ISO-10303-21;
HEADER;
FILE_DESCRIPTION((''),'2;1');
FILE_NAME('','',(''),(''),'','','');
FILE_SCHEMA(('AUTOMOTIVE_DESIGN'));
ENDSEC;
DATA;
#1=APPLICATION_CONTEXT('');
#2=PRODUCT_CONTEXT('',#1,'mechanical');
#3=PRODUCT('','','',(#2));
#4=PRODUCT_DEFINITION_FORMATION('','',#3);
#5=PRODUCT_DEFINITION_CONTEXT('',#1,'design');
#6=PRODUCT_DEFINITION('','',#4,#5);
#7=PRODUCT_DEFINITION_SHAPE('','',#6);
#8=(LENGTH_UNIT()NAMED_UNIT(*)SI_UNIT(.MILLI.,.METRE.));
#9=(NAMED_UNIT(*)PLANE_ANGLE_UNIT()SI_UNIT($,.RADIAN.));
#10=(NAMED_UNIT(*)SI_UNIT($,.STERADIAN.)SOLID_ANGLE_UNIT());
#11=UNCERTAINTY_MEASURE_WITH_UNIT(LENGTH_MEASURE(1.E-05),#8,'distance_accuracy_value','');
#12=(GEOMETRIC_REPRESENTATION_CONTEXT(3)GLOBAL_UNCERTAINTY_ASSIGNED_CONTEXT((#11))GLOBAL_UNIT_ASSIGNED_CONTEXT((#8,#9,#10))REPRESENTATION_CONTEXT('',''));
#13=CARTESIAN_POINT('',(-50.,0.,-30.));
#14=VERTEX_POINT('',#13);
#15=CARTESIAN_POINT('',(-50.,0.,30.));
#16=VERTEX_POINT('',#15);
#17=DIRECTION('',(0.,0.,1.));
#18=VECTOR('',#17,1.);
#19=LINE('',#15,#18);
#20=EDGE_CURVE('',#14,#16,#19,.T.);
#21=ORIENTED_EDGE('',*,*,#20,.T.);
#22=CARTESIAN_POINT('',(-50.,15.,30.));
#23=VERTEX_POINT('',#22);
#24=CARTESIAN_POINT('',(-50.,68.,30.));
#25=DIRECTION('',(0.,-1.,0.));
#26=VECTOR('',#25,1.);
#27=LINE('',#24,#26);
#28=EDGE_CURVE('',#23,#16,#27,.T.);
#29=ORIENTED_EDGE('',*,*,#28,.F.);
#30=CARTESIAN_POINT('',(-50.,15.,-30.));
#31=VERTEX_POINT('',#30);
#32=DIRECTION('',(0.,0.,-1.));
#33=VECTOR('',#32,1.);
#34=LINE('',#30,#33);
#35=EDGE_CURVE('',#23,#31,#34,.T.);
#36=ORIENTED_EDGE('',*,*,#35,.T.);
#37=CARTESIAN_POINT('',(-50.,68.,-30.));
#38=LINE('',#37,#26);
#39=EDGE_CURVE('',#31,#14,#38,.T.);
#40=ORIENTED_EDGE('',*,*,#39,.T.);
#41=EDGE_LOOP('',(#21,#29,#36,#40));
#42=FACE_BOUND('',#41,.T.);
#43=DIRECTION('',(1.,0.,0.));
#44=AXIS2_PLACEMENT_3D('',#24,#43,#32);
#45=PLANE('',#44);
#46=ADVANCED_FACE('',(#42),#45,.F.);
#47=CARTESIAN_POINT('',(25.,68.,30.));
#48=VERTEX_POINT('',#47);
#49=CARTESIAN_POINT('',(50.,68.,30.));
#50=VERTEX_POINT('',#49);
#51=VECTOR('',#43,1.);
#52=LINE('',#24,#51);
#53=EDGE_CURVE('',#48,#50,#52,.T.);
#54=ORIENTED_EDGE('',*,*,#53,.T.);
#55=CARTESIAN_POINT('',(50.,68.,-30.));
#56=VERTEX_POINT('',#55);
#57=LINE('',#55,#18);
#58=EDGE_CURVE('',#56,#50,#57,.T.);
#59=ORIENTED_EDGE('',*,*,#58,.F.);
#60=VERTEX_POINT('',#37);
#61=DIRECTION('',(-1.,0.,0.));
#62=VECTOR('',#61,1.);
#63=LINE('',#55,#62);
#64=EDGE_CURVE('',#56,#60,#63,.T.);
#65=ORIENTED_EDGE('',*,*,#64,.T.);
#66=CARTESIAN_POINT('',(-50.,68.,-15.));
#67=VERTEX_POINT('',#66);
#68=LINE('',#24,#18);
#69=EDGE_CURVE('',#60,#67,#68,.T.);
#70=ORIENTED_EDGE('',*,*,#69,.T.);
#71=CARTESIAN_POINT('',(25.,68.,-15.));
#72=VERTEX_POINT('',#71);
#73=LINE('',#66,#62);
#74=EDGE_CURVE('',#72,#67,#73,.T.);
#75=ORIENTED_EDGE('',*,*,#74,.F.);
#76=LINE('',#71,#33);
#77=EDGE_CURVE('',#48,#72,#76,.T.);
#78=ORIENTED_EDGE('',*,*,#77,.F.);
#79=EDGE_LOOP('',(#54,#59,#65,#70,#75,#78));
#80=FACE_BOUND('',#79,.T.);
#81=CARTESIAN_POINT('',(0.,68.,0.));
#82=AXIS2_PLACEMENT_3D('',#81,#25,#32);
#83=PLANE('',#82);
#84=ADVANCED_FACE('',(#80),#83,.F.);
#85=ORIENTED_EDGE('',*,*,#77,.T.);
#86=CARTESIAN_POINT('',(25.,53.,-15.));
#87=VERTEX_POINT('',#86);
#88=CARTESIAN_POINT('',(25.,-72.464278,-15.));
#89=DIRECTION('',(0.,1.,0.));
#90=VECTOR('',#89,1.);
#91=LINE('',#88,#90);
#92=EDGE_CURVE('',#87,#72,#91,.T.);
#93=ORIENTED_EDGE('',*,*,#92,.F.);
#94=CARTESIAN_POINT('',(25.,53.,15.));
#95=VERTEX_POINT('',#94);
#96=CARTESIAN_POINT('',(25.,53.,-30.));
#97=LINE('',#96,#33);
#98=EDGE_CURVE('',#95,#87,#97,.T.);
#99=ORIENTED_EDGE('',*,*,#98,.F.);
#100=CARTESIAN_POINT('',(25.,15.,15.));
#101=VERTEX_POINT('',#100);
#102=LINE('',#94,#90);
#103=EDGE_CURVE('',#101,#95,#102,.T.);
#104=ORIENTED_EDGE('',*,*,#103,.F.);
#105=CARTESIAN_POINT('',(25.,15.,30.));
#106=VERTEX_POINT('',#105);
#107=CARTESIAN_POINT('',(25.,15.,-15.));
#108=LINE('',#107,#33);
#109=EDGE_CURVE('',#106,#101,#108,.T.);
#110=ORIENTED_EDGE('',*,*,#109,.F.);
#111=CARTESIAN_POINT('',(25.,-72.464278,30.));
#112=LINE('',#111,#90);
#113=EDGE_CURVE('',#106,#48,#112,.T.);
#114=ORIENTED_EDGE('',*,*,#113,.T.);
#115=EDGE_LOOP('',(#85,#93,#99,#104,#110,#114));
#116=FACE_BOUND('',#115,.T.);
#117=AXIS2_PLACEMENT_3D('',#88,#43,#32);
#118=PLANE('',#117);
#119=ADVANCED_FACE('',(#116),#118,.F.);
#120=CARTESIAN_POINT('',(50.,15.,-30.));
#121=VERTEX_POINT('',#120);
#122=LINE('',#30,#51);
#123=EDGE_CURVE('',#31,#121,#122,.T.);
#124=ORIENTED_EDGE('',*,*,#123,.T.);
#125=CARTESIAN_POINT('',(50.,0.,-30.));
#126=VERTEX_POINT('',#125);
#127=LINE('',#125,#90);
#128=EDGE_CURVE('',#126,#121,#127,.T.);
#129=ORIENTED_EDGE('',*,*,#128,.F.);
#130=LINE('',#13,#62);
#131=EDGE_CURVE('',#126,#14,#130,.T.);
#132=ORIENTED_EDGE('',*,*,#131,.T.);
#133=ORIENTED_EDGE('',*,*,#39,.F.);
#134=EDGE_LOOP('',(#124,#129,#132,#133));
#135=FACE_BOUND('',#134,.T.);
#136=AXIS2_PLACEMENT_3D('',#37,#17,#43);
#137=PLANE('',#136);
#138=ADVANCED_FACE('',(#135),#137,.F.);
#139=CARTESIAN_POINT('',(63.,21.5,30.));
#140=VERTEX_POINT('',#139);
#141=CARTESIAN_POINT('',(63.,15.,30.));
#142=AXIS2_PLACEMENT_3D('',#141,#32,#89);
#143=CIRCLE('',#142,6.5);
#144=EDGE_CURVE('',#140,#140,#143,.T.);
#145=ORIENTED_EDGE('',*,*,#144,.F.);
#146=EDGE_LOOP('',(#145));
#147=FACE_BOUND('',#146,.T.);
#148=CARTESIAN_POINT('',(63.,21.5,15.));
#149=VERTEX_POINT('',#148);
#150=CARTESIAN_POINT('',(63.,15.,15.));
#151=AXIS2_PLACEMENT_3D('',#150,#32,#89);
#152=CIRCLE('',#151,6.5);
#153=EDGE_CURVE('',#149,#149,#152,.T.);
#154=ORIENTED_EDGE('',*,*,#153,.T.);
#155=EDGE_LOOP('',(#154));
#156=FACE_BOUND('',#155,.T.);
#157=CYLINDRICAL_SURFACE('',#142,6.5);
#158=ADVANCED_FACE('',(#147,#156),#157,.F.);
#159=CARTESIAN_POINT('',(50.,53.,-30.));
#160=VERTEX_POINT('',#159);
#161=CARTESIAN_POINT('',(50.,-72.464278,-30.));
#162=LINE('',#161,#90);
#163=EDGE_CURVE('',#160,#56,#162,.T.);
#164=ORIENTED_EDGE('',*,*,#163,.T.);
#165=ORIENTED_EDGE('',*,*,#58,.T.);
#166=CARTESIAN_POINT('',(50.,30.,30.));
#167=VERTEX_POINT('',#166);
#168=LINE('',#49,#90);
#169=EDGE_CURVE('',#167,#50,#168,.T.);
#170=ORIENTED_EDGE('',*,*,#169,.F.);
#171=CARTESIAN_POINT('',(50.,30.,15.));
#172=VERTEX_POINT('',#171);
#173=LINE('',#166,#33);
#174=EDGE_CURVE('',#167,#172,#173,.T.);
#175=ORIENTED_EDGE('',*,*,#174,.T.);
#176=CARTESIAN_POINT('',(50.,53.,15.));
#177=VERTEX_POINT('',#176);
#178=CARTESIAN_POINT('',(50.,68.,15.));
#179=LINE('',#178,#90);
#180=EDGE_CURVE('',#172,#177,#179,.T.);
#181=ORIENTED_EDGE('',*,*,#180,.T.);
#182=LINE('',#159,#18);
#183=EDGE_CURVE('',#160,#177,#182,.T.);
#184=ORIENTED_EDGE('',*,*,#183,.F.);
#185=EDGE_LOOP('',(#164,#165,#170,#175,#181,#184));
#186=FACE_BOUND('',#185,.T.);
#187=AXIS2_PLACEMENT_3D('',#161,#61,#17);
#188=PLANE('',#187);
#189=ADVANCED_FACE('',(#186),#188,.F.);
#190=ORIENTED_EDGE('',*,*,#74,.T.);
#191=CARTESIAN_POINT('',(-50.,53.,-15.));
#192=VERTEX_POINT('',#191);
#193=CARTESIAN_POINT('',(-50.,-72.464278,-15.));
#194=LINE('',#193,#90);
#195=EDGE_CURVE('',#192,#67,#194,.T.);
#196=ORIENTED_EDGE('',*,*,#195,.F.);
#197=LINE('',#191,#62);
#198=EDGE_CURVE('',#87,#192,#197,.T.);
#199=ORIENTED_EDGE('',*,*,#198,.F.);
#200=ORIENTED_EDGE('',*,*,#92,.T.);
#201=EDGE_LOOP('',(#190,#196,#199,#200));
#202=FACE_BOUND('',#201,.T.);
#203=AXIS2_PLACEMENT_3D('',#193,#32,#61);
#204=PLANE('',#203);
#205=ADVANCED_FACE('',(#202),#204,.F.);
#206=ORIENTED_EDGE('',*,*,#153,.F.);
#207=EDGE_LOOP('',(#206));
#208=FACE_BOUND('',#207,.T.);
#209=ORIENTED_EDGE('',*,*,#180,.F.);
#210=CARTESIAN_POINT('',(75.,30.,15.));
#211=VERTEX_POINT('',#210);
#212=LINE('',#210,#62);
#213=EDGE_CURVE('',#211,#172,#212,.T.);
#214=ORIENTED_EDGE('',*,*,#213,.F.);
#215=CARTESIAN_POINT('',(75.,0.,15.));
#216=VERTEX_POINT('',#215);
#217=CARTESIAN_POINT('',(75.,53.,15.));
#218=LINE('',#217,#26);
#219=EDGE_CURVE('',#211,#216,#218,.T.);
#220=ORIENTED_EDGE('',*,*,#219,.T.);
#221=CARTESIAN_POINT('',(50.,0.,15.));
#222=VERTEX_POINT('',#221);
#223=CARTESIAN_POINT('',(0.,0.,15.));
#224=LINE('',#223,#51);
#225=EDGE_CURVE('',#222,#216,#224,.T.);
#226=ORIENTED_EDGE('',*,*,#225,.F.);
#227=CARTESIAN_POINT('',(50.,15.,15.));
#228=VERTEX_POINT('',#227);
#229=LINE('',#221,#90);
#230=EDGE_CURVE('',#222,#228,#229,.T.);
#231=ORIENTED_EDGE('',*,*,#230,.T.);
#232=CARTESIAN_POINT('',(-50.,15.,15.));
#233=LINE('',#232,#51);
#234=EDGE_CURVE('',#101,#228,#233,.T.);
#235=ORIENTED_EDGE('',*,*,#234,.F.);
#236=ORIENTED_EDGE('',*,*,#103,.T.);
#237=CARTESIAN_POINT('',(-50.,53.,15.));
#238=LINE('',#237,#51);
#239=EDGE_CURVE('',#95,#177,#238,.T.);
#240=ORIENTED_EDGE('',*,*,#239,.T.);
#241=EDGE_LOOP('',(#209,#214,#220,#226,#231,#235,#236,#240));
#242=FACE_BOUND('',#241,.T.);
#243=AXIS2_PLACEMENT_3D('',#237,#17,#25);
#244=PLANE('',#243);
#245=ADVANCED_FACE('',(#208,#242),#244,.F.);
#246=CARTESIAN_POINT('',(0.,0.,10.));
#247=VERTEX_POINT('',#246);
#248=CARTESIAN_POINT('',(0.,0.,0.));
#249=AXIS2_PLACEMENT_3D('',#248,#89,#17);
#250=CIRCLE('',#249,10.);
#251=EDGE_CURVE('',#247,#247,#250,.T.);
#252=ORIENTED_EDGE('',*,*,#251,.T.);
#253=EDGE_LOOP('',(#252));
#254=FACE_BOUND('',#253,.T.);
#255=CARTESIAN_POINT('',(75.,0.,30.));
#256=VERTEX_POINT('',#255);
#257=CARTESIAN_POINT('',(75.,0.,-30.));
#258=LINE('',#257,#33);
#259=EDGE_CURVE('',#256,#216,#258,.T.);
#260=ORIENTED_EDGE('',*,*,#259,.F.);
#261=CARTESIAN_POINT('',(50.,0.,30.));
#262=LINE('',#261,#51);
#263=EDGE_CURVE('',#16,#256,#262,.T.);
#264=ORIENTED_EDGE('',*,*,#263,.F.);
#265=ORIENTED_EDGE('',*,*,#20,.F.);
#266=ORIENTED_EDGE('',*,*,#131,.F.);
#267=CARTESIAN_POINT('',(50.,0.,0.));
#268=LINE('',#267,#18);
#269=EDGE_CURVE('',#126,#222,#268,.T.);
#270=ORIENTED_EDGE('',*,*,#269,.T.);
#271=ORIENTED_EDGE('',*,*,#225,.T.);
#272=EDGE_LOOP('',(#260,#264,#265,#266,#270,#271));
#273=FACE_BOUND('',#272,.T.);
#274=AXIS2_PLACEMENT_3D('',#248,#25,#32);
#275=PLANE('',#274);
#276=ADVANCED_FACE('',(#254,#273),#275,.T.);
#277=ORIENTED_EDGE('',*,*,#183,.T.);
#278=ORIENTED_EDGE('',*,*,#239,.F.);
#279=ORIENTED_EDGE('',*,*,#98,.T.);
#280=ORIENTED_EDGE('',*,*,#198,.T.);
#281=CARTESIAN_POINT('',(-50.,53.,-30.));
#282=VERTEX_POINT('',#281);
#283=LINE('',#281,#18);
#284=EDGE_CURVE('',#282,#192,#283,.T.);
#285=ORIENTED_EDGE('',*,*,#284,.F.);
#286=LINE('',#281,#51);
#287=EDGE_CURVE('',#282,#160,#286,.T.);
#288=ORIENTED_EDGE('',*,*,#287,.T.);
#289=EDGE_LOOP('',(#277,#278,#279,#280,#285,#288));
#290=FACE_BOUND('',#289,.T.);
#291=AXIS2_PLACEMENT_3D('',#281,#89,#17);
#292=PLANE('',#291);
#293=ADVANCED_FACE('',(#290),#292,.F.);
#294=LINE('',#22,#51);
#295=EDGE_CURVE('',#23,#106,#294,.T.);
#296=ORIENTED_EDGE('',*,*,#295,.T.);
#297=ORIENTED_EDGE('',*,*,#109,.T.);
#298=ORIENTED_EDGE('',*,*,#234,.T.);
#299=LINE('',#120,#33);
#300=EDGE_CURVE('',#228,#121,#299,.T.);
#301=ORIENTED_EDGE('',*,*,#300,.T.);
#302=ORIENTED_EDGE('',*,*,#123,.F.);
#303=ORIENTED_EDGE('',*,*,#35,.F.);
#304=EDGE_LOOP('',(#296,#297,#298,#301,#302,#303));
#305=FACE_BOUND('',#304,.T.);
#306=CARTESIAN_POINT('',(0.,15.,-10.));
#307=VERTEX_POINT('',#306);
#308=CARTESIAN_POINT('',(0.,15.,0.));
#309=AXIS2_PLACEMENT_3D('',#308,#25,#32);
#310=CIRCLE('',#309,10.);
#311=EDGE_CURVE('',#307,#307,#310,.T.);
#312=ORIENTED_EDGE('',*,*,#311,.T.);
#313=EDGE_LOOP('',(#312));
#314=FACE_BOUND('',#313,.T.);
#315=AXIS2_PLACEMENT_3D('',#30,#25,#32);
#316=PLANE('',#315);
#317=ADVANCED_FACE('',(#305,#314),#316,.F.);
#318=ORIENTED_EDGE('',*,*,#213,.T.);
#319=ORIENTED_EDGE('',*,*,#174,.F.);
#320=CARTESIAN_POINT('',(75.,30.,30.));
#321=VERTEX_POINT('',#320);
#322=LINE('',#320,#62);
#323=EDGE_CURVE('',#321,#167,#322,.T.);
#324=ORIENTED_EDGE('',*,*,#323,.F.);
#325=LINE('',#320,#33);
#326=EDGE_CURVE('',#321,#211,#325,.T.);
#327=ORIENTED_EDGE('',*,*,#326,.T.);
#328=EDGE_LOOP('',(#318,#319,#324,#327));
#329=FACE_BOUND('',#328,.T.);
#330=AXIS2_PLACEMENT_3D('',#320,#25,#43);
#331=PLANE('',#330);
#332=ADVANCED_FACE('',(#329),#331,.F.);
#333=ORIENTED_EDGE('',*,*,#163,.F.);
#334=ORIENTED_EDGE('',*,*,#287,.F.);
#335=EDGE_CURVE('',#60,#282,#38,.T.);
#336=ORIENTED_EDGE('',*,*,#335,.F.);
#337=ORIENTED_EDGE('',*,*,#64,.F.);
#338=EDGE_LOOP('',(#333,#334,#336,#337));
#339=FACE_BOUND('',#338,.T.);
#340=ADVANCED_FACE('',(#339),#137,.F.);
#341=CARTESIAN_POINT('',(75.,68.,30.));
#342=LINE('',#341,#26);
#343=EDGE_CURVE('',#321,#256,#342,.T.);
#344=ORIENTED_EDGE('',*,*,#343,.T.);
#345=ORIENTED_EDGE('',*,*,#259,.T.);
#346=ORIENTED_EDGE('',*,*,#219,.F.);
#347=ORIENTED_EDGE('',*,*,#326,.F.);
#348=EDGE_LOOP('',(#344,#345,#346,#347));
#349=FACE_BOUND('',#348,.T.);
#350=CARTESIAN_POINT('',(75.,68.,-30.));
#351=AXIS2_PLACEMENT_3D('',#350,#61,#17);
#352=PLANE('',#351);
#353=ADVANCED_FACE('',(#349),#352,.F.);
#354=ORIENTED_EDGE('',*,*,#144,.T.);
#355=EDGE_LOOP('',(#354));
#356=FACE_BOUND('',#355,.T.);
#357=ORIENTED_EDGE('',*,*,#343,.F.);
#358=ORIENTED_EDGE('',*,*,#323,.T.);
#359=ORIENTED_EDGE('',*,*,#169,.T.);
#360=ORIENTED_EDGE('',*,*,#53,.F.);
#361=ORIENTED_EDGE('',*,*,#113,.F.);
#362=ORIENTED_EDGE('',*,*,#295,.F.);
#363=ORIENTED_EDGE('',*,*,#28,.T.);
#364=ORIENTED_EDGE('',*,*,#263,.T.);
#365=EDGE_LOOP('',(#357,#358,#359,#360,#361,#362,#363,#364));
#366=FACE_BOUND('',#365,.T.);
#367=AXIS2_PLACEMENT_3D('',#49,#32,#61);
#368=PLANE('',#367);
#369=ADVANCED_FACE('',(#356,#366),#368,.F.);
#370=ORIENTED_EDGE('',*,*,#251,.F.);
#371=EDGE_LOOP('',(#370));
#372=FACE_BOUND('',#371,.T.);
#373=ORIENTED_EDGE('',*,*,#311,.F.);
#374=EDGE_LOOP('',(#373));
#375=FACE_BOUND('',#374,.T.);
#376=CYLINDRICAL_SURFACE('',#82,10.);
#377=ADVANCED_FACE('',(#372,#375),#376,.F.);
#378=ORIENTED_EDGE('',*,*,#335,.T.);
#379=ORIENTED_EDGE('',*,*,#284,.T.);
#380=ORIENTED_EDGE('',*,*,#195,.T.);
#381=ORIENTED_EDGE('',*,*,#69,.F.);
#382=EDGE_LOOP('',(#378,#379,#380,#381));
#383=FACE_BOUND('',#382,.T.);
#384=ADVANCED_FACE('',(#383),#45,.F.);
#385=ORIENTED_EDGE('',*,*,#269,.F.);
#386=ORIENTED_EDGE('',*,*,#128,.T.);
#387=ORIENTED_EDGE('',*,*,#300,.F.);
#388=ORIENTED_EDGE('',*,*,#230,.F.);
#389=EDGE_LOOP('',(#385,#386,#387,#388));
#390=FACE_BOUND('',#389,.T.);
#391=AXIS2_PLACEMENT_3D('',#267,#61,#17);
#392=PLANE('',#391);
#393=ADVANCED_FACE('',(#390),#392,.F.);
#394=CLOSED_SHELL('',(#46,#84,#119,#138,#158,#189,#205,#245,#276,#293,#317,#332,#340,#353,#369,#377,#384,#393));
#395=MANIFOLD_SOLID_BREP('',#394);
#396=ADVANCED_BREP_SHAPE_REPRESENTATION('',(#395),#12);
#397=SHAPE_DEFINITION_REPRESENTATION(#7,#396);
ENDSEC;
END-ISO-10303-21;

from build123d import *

# Parameters (mm, degrees)
SKETCH1_R           = 10
BOSS_EXTRUDE1_DEPTH = 68
SKETCH3_W           = 45
SKETCH3_H           = 38
CUT_EXTRUDE1_DEPTH  = 126
SKETCH4_W           = 75
SKETCH4_H           = 45
SKETCH4_W_2         = 25
CUT_EXTRUDE2_DEPTH  = 53
SKETCH4_2_W         = 25
SKETCH4_2_H         = 45
CUT_EXTRUDE3_DEPTH  = 69
SKETCH5_R           = 6.5
SKETCH5_W           = 25
SKETCH5_H           = 38
CUT_EXTRUDE4_DEPTH  = 16


with BuildPart() as part:
    # Sketch1 → Boss-Extrude1 (new body)
    with BuildSketch(Plane(origin=(0, 0, 0), x_dir=(1, 0, 0), z_dir=(0, 1, 0))):
        Polygon((-50, -30), (50, -30), (75, -30), (75, 30), (50, 30), (-50, 30), align=None)
        Circle(SKETCH1_R, mode=Mode.SUBTRACT)
    extrude(amount=BOSS_EXTRUDE1_DEPTH)

    # Sketch3 → Cut-Extrude1 (cut, through all)
    with BuildSketch(Plane(origin=(75, 0, 0), x_dir=(0, 0, -1), z_dir=(1, 0, 0))):
        with Locations((7.5, 34)):
            Rectangle(SKETCH3_W, SKETCH3_H)
    extrude(amount=-CUT_EXTRUDE1_DEPTH, mode=Mode.SUBTRACT)

    # Sketch4 → Cut-Extrude2 (cut)
    with BuildSketch(Plane(origin=(0, 68, 0), x_dir=(1, 0, 0), z_dir=(0, 1, 0))):
        with Locations((-12.5, -7.5)):
            Rectangle(SKETCH4_W, SKETCH4_H)
        with Locations((62.5, 7.5)):
            Rectangle(SKETCH4_W_2, SKETCH4_H)
    extrude(amount=-CUT_EXTRUDE2_DEPTH, mode=Mode.SUBTRACT)

    # Sketch4<2> → Cut-Extrude3 (cut, through all)
    with BuildSketch(Plane(origin=(0, 68, 0), x_dir=(1, 0, 0), z_dir=(0, 1, 0))):
        with Locations((62.5, 7.5)):
            Rectangle(SKETCH4_2_W, SKETCH4_2_H)
    extrude(amount=-CUT_EXTRUDE3_DEPTH, mode=Mode.SUBTRACT)

    # Sketch5 → Cut-Extrude4 (cut, through all)
    with BuildSketch(Plane(origin=(0, 0, 15), x_dir=(-1, 0, 0), z_dir=(0, 0, -1))):
        with Locations((-63, 15)):
            Circle(SKETCH5_R)
        with Locations((-62.5, 49)):
            Rectangle(SKETCH5_W, SKETCH5_H)
    extrude(amount=-CUT_EXTRUDE4_DEPTH, mode=Mode.SUBTRACT)


solid = part.part
